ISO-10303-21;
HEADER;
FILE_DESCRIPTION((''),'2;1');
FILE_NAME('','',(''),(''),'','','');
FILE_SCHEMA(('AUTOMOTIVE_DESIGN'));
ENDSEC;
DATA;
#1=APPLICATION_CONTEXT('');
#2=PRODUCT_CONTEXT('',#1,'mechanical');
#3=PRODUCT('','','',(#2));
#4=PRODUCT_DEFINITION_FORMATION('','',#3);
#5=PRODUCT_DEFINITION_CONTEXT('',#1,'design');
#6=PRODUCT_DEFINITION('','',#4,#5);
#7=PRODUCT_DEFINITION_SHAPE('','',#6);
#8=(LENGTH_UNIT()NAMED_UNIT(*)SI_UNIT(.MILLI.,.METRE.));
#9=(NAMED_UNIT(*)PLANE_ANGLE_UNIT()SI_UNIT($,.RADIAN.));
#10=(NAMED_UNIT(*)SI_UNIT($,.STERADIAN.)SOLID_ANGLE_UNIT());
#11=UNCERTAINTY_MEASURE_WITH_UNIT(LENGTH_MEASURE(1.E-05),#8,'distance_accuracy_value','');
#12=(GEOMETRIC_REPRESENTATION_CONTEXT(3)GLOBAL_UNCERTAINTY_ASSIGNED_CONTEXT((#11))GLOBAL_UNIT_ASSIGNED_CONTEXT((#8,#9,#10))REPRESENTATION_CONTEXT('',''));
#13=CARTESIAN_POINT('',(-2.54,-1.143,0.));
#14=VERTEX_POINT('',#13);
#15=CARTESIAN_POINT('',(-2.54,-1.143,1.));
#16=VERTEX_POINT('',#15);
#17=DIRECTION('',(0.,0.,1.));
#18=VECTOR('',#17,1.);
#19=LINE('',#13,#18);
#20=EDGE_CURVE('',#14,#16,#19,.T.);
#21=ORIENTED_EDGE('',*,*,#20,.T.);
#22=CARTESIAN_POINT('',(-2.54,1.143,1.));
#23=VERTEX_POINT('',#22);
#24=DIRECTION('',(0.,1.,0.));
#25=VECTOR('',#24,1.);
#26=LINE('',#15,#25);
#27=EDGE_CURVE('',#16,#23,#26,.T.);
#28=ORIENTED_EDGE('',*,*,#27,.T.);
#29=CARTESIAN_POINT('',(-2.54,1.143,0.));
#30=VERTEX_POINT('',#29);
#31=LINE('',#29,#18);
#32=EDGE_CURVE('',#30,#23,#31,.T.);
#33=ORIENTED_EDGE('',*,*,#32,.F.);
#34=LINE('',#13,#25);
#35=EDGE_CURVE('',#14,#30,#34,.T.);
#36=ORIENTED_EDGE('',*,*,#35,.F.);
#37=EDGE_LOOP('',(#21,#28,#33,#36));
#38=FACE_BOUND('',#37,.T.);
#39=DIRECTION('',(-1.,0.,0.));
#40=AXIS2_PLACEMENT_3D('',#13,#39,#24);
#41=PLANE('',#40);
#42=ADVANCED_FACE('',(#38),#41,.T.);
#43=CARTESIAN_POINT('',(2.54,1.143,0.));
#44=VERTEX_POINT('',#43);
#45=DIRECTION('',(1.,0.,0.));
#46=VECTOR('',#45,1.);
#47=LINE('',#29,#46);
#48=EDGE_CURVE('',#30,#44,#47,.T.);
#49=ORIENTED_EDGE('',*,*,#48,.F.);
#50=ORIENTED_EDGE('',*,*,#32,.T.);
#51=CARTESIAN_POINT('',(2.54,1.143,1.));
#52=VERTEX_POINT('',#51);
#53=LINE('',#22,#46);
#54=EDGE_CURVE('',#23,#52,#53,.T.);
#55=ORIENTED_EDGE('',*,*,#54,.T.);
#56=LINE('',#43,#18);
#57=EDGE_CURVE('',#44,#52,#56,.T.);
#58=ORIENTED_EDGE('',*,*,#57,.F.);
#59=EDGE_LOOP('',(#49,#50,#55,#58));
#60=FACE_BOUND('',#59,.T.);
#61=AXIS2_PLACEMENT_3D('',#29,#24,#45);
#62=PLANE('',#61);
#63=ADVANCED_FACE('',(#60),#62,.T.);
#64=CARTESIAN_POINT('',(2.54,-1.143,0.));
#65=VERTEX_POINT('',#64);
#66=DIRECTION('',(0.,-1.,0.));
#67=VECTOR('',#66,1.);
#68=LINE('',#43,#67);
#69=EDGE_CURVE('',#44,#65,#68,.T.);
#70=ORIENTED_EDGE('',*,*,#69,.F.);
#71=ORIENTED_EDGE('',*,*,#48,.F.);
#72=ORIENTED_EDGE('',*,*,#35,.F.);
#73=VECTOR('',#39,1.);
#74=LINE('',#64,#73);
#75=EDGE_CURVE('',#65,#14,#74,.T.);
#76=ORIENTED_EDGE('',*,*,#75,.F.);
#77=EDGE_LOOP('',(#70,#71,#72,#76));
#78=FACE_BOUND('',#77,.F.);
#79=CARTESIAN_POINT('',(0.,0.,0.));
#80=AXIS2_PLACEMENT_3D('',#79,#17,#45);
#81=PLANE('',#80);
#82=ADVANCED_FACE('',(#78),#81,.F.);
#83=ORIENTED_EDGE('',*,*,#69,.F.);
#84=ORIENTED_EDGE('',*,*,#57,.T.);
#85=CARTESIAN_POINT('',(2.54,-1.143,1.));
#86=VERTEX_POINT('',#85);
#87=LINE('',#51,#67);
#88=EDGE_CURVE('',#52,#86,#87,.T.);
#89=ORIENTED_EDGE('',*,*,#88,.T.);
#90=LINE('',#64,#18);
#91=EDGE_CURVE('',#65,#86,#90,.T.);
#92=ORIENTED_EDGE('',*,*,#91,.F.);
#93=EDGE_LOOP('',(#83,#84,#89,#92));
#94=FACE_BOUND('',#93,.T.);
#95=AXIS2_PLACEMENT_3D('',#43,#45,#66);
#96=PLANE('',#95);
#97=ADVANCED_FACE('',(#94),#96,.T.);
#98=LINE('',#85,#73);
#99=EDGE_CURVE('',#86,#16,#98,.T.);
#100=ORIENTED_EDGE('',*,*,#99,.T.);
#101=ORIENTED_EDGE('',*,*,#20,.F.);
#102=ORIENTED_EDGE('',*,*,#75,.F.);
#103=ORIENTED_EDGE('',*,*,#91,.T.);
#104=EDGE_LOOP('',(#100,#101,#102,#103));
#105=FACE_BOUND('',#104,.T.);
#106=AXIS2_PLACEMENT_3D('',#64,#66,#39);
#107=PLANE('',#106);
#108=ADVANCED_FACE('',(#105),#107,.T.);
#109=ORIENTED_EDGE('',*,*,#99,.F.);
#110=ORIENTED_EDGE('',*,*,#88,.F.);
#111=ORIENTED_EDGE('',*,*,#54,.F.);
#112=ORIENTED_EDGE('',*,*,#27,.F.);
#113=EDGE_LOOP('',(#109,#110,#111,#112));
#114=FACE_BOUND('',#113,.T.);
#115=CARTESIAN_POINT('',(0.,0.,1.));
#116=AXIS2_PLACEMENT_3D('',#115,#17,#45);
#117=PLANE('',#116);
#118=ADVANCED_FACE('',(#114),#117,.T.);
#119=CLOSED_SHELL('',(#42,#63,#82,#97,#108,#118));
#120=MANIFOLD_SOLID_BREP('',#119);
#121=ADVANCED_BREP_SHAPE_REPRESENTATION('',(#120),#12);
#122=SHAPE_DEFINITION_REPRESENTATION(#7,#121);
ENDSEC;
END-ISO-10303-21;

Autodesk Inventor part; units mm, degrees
ref_plane "YZ Plane" through (0, 0, 0) normal (1, 0, 0) x (0, 1, 0)
ref_plane "XZ Plane" through (0, 0, 0) normal (0, 1, 0) x (-1, 0, 0)
ref_plane "XY Plane" through (0, 0, 0) normal (0, 0, 1) x (1, 0, 0)
sketch "C050-024X044, C050-024X044_1" plane through (0, 0, 0) normal (0, 0, 1) x (1, 0, 0)
  line L0 (-2.54, 1.143) -> (2.54, 1.143)
  line L1 (2.54, 1.143) -> (2.54, -1.143)
  line L2 (2.54, -1.143) -> (-2.54, -1.143)
  line L3 (-2.54, -1.143) -> (-2.54, 1.143)
extrude "Extrusion1" add sketch "C050-024X044, C050-024X044_1" along normal blind 1
properties part number "C050-024X044"
